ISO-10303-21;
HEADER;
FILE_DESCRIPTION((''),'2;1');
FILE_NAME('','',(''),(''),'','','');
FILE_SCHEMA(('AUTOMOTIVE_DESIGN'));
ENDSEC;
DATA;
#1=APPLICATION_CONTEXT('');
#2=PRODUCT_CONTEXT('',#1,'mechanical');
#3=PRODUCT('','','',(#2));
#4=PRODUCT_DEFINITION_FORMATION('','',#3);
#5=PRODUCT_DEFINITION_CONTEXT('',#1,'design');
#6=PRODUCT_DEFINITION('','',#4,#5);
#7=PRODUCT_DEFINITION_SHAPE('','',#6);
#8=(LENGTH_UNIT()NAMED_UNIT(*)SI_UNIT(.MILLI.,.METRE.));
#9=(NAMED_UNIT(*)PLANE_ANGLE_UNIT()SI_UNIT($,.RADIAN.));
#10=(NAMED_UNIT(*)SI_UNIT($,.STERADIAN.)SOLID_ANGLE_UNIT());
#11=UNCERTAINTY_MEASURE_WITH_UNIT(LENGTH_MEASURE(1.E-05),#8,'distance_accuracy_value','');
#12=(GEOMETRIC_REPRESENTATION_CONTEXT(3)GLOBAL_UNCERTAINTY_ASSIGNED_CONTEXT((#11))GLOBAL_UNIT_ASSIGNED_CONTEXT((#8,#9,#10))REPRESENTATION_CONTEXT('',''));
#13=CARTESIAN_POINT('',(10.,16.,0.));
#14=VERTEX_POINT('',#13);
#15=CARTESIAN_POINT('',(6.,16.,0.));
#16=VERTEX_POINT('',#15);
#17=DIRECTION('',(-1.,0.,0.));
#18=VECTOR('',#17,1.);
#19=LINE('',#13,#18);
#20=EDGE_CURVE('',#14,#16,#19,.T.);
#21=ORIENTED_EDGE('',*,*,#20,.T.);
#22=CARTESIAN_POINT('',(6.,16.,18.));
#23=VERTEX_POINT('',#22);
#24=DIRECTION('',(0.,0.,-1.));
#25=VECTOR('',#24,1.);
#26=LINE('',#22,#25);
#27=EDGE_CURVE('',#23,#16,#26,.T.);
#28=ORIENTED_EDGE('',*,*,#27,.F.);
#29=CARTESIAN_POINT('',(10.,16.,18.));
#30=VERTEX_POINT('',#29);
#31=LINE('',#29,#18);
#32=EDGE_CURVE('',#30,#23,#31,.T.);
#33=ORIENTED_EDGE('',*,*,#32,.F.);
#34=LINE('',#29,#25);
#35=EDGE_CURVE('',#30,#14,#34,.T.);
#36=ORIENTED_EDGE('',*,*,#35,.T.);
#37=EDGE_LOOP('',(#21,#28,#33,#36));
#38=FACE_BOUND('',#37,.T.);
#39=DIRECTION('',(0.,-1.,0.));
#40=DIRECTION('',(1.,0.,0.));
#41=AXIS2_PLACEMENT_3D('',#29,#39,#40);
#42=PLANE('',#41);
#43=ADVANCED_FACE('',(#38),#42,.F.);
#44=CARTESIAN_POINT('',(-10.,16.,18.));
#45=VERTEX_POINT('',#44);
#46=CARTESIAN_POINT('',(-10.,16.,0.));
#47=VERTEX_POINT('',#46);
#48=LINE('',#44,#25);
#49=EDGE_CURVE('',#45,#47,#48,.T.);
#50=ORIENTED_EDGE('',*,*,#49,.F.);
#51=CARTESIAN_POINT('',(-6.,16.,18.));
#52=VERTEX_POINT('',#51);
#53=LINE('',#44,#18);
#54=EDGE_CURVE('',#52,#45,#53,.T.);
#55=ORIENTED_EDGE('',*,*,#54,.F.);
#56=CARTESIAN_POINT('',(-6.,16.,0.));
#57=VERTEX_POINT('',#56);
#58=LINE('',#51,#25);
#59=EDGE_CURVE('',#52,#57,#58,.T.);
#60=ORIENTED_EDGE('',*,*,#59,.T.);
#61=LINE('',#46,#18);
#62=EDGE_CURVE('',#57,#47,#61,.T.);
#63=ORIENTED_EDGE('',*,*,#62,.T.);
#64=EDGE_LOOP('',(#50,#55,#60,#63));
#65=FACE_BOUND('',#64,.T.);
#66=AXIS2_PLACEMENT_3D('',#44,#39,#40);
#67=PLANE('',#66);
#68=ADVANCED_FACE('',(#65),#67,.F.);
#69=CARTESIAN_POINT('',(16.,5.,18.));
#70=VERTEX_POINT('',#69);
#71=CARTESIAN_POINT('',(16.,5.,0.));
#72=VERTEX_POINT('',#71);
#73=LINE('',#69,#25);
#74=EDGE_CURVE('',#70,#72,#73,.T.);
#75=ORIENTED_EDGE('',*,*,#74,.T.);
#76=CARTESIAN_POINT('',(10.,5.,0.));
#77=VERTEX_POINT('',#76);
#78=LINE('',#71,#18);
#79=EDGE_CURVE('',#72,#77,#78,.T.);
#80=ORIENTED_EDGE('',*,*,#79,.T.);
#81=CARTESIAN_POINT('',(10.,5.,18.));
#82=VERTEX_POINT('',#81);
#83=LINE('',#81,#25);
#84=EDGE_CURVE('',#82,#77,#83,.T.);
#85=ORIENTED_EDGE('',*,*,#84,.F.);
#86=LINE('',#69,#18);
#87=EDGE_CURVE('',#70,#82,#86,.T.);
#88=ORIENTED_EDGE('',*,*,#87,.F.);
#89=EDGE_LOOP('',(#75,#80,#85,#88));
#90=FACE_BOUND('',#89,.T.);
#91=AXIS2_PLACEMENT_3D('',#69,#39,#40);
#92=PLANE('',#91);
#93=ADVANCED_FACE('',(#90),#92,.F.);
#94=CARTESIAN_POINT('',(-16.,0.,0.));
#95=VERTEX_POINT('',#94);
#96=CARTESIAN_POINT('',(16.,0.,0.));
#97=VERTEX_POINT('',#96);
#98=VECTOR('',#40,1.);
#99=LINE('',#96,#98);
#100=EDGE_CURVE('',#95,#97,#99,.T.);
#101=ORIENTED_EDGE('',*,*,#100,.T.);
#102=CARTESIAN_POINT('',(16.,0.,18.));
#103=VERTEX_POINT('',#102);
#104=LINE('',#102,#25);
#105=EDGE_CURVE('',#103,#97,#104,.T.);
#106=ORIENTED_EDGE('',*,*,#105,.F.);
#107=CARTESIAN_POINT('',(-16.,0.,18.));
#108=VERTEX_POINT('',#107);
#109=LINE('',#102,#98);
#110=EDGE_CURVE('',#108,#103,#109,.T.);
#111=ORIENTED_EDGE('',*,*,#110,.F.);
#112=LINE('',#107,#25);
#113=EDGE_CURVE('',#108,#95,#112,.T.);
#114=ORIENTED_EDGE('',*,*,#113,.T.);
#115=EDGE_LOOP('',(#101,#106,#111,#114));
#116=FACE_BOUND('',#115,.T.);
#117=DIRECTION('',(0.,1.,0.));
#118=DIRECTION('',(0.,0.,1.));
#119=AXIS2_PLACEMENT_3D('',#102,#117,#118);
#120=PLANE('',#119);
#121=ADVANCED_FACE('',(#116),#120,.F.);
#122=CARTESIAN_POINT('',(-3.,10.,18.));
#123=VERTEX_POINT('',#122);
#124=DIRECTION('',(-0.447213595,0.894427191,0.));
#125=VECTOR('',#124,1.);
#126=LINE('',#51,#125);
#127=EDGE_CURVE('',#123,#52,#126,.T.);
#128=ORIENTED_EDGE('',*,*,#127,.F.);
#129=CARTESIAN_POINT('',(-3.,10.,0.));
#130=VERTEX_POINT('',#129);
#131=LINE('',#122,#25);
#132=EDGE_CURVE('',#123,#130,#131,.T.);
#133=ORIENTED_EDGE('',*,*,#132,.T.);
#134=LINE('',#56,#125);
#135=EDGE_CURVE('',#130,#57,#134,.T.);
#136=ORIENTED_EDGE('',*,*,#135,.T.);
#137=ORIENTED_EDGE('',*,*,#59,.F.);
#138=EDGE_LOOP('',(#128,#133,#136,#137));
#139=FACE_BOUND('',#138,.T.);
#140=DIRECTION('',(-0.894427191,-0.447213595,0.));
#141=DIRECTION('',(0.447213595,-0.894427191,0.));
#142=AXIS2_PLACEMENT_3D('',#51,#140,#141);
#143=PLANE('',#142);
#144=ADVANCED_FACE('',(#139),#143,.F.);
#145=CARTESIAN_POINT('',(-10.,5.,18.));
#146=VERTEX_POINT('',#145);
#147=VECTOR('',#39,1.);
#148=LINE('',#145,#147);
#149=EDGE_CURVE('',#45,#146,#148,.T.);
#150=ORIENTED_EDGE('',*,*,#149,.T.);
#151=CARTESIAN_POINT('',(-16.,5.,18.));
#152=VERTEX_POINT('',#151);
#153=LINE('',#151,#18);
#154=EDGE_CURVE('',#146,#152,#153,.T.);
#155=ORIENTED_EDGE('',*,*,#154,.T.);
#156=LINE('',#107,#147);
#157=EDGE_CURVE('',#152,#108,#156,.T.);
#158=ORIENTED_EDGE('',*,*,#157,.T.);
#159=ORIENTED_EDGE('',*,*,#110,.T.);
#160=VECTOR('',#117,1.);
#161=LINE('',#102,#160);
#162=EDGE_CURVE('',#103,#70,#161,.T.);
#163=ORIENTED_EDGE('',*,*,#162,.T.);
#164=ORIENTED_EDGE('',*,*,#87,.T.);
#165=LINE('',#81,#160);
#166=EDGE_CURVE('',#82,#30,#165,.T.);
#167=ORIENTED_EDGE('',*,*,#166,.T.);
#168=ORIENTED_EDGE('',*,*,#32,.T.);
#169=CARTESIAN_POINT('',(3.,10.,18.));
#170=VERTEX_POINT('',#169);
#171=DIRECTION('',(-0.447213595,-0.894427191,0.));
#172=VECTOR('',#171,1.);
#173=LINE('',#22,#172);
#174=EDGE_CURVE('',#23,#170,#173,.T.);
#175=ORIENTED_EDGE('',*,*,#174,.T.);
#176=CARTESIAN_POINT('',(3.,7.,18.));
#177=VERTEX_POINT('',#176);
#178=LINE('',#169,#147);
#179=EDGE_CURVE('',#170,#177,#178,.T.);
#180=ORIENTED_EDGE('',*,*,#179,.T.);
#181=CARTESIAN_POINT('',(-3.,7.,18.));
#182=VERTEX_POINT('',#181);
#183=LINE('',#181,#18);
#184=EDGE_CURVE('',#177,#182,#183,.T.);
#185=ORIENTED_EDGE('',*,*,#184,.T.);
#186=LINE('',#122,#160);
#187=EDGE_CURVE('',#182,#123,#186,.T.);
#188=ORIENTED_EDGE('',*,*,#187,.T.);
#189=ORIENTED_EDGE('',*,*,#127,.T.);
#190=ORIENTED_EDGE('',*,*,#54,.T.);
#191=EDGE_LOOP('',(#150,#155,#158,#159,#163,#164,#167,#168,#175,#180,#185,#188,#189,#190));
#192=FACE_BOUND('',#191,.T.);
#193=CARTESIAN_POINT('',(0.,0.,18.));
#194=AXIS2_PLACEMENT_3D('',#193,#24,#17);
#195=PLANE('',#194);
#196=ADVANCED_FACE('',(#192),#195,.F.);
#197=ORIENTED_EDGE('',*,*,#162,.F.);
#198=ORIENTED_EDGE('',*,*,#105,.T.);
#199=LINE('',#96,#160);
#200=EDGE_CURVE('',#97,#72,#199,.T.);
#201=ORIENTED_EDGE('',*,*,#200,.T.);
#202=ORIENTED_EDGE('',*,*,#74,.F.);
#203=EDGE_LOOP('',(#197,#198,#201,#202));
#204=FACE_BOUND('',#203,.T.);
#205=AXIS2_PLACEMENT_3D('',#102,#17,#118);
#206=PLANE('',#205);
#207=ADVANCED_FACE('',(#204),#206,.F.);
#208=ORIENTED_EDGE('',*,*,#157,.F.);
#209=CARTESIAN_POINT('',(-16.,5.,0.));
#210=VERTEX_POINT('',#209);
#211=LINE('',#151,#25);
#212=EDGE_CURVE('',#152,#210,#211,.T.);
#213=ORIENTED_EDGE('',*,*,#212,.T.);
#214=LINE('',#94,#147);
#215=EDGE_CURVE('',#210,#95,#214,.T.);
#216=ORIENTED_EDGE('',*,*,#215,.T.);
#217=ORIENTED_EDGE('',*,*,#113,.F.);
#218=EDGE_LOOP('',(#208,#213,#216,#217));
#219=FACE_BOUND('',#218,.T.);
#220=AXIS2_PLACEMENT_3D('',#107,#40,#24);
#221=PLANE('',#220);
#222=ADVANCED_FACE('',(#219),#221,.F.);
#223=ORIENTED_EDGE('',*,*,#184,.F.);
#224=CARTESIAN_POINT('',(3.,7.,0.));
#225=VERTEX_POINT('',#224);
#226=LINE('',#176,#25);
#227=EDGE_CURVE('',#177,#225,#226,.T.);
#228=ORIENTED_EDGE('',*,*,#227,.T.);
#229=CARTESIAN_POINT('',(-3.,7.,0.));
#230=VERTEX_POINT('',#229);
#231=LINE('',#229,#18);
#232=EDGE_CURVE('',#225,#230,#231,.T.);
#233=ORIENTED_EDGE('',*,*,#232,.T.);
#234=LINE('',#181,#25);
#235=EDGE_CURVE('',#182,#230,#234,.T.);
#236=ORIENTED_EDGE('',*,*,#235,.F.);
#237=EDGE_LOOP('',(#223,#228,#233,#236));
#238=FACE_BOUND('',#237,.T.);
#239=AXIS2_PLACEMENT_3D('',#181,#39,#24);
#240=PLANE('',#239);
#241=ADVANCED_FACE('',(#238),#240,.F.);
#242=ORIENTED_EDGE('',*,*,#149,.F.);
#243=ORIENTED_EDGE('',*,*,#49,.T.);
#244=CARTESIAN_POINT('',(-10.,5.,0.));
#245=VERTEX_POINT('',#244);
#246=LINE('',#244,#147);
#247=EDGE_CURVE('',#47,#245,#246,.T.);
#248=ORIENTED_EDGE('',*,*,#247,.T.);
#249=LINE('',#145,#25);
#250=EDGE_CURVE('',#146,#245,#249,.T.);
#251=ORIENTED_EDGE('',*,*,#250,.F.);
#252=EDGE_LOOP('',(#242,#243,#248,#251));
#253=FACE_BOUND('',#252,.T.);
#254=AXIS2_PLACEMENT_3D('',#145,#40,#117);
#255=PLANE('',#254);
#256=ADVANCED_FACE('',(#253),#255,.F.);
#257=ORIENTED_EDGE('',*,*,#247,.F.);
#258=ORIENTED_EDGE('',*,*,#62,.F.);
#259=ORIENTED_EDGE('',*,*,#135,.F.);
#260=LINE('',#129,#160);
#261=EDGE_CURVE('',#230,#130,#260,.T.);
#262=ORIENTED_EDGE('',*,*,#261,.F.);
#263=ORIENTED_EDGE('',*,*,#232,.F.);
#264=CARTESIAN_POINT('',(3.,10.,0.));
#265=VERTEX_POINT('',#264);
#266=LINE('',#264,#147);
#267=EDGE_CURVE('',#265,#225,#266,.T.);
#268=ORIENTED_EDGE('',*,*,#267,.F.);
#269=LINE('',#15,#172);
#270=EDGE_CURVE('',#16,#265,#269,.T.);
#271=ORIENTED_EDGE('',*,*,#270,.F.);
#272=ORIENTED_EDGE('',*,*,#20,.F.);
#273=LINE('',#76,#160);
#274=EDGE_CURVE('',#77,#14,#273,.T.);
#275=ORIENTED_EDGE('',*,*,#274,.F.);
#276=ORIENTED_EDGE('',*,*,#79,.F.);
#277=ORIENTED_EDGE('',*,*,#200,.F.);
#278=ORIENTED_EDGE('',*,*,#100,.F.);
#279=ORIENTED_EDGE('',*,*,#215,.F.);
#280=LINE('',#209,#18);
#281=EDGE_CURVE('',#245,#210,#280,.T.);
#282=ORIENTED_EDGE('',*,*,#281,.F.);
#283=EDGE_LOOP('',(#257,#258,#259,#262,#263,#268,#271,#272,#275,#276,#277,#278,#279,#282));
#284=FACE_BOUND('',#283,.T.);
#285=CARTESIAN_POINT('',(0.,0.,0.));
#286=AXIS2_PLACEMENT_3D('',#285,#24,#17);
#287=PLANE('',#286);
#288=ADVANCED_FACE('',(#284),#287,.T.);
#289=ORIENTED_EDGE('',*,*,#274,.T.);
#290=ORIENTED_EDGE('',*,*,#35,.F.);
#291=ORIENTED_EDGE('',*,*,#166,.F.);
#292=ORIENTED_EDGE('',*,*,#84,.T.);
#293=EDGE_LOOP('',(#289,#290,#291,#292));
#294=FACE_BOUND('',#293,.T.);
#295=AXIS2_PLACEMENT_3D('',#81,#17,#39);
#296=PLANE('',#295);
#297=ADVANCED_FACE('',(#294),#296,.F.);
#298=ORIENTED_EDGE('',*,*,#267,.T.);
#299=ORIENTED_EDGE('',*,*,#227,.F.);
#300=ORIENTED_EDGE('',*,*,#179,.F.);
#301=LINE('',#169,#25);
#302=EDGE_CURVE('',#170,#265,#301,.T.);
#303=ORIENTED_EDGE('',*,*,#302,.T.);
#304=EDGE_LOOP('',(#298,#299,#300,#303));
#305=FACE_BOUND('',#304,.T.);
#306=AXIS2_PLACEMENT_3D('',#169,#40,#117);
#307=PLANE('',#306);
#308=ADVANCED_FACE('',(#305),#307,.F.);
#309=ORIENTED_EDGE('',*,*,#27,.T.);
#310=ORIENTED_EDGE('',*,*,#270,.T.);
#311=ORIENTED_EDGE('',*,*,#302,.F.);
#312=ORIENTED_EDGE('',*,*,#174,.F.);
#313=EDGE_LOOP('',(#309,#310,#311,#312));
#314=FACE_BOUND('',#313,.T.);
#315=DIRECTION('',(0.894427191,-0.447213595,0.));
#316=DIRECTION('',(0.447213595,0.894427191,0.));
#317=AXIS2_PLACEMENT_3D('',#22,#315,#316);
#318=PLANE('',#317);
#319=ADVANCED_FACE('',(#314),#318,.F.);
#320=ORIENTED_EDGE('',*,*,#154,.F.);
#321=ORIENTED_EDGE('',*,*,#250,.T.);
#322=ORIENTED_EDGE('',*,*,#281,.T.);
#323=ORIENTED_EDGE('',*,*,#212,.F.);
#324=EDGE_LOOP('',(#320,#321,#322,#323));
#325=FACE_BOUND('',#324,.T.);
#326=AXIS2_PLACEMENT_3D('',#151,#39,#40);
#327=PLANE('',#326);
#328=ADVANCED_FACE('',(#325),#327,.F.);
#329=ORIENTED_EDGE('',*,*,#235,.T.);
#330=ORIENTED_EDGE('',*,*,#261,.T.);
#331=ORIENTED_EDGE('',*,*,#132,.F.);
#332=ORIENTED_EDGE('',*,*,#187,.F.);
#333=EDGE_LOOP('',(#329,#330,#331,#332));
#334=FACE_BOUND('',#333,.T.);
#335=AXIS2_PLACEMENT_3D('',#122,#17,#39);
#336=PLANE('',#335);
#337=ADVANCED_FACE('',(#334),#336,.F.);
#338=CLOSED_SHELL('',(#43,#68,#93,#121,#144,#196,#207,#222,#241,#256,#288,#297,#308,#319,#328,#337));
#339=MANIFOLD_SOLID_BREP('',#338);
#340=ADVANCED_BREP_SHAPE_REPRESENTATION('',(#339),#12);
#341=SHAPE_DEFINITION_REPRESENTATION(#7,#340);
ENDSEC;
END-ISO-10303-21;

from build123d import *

# Parameters (mm, degrees)
EXTRUDE_1_DEPTH = 18


with BuildPart() as part:
    # 草图1 → 凸台-拉伸1 (new body)
    with BuildSketch(Plane.XY):
        Polygon((16, 0), (-16, 0), (-16, 5), (-10, 5), (-10, 16), (-6, 16), (-3, 10), (-3, 7), (3, 7), (3, 10), (6, 16), (10, 16), (10, 5), (16, 5), align=None)
    extrude(amount=EXTRUDE_1_DEPTH)


solid = part.part
